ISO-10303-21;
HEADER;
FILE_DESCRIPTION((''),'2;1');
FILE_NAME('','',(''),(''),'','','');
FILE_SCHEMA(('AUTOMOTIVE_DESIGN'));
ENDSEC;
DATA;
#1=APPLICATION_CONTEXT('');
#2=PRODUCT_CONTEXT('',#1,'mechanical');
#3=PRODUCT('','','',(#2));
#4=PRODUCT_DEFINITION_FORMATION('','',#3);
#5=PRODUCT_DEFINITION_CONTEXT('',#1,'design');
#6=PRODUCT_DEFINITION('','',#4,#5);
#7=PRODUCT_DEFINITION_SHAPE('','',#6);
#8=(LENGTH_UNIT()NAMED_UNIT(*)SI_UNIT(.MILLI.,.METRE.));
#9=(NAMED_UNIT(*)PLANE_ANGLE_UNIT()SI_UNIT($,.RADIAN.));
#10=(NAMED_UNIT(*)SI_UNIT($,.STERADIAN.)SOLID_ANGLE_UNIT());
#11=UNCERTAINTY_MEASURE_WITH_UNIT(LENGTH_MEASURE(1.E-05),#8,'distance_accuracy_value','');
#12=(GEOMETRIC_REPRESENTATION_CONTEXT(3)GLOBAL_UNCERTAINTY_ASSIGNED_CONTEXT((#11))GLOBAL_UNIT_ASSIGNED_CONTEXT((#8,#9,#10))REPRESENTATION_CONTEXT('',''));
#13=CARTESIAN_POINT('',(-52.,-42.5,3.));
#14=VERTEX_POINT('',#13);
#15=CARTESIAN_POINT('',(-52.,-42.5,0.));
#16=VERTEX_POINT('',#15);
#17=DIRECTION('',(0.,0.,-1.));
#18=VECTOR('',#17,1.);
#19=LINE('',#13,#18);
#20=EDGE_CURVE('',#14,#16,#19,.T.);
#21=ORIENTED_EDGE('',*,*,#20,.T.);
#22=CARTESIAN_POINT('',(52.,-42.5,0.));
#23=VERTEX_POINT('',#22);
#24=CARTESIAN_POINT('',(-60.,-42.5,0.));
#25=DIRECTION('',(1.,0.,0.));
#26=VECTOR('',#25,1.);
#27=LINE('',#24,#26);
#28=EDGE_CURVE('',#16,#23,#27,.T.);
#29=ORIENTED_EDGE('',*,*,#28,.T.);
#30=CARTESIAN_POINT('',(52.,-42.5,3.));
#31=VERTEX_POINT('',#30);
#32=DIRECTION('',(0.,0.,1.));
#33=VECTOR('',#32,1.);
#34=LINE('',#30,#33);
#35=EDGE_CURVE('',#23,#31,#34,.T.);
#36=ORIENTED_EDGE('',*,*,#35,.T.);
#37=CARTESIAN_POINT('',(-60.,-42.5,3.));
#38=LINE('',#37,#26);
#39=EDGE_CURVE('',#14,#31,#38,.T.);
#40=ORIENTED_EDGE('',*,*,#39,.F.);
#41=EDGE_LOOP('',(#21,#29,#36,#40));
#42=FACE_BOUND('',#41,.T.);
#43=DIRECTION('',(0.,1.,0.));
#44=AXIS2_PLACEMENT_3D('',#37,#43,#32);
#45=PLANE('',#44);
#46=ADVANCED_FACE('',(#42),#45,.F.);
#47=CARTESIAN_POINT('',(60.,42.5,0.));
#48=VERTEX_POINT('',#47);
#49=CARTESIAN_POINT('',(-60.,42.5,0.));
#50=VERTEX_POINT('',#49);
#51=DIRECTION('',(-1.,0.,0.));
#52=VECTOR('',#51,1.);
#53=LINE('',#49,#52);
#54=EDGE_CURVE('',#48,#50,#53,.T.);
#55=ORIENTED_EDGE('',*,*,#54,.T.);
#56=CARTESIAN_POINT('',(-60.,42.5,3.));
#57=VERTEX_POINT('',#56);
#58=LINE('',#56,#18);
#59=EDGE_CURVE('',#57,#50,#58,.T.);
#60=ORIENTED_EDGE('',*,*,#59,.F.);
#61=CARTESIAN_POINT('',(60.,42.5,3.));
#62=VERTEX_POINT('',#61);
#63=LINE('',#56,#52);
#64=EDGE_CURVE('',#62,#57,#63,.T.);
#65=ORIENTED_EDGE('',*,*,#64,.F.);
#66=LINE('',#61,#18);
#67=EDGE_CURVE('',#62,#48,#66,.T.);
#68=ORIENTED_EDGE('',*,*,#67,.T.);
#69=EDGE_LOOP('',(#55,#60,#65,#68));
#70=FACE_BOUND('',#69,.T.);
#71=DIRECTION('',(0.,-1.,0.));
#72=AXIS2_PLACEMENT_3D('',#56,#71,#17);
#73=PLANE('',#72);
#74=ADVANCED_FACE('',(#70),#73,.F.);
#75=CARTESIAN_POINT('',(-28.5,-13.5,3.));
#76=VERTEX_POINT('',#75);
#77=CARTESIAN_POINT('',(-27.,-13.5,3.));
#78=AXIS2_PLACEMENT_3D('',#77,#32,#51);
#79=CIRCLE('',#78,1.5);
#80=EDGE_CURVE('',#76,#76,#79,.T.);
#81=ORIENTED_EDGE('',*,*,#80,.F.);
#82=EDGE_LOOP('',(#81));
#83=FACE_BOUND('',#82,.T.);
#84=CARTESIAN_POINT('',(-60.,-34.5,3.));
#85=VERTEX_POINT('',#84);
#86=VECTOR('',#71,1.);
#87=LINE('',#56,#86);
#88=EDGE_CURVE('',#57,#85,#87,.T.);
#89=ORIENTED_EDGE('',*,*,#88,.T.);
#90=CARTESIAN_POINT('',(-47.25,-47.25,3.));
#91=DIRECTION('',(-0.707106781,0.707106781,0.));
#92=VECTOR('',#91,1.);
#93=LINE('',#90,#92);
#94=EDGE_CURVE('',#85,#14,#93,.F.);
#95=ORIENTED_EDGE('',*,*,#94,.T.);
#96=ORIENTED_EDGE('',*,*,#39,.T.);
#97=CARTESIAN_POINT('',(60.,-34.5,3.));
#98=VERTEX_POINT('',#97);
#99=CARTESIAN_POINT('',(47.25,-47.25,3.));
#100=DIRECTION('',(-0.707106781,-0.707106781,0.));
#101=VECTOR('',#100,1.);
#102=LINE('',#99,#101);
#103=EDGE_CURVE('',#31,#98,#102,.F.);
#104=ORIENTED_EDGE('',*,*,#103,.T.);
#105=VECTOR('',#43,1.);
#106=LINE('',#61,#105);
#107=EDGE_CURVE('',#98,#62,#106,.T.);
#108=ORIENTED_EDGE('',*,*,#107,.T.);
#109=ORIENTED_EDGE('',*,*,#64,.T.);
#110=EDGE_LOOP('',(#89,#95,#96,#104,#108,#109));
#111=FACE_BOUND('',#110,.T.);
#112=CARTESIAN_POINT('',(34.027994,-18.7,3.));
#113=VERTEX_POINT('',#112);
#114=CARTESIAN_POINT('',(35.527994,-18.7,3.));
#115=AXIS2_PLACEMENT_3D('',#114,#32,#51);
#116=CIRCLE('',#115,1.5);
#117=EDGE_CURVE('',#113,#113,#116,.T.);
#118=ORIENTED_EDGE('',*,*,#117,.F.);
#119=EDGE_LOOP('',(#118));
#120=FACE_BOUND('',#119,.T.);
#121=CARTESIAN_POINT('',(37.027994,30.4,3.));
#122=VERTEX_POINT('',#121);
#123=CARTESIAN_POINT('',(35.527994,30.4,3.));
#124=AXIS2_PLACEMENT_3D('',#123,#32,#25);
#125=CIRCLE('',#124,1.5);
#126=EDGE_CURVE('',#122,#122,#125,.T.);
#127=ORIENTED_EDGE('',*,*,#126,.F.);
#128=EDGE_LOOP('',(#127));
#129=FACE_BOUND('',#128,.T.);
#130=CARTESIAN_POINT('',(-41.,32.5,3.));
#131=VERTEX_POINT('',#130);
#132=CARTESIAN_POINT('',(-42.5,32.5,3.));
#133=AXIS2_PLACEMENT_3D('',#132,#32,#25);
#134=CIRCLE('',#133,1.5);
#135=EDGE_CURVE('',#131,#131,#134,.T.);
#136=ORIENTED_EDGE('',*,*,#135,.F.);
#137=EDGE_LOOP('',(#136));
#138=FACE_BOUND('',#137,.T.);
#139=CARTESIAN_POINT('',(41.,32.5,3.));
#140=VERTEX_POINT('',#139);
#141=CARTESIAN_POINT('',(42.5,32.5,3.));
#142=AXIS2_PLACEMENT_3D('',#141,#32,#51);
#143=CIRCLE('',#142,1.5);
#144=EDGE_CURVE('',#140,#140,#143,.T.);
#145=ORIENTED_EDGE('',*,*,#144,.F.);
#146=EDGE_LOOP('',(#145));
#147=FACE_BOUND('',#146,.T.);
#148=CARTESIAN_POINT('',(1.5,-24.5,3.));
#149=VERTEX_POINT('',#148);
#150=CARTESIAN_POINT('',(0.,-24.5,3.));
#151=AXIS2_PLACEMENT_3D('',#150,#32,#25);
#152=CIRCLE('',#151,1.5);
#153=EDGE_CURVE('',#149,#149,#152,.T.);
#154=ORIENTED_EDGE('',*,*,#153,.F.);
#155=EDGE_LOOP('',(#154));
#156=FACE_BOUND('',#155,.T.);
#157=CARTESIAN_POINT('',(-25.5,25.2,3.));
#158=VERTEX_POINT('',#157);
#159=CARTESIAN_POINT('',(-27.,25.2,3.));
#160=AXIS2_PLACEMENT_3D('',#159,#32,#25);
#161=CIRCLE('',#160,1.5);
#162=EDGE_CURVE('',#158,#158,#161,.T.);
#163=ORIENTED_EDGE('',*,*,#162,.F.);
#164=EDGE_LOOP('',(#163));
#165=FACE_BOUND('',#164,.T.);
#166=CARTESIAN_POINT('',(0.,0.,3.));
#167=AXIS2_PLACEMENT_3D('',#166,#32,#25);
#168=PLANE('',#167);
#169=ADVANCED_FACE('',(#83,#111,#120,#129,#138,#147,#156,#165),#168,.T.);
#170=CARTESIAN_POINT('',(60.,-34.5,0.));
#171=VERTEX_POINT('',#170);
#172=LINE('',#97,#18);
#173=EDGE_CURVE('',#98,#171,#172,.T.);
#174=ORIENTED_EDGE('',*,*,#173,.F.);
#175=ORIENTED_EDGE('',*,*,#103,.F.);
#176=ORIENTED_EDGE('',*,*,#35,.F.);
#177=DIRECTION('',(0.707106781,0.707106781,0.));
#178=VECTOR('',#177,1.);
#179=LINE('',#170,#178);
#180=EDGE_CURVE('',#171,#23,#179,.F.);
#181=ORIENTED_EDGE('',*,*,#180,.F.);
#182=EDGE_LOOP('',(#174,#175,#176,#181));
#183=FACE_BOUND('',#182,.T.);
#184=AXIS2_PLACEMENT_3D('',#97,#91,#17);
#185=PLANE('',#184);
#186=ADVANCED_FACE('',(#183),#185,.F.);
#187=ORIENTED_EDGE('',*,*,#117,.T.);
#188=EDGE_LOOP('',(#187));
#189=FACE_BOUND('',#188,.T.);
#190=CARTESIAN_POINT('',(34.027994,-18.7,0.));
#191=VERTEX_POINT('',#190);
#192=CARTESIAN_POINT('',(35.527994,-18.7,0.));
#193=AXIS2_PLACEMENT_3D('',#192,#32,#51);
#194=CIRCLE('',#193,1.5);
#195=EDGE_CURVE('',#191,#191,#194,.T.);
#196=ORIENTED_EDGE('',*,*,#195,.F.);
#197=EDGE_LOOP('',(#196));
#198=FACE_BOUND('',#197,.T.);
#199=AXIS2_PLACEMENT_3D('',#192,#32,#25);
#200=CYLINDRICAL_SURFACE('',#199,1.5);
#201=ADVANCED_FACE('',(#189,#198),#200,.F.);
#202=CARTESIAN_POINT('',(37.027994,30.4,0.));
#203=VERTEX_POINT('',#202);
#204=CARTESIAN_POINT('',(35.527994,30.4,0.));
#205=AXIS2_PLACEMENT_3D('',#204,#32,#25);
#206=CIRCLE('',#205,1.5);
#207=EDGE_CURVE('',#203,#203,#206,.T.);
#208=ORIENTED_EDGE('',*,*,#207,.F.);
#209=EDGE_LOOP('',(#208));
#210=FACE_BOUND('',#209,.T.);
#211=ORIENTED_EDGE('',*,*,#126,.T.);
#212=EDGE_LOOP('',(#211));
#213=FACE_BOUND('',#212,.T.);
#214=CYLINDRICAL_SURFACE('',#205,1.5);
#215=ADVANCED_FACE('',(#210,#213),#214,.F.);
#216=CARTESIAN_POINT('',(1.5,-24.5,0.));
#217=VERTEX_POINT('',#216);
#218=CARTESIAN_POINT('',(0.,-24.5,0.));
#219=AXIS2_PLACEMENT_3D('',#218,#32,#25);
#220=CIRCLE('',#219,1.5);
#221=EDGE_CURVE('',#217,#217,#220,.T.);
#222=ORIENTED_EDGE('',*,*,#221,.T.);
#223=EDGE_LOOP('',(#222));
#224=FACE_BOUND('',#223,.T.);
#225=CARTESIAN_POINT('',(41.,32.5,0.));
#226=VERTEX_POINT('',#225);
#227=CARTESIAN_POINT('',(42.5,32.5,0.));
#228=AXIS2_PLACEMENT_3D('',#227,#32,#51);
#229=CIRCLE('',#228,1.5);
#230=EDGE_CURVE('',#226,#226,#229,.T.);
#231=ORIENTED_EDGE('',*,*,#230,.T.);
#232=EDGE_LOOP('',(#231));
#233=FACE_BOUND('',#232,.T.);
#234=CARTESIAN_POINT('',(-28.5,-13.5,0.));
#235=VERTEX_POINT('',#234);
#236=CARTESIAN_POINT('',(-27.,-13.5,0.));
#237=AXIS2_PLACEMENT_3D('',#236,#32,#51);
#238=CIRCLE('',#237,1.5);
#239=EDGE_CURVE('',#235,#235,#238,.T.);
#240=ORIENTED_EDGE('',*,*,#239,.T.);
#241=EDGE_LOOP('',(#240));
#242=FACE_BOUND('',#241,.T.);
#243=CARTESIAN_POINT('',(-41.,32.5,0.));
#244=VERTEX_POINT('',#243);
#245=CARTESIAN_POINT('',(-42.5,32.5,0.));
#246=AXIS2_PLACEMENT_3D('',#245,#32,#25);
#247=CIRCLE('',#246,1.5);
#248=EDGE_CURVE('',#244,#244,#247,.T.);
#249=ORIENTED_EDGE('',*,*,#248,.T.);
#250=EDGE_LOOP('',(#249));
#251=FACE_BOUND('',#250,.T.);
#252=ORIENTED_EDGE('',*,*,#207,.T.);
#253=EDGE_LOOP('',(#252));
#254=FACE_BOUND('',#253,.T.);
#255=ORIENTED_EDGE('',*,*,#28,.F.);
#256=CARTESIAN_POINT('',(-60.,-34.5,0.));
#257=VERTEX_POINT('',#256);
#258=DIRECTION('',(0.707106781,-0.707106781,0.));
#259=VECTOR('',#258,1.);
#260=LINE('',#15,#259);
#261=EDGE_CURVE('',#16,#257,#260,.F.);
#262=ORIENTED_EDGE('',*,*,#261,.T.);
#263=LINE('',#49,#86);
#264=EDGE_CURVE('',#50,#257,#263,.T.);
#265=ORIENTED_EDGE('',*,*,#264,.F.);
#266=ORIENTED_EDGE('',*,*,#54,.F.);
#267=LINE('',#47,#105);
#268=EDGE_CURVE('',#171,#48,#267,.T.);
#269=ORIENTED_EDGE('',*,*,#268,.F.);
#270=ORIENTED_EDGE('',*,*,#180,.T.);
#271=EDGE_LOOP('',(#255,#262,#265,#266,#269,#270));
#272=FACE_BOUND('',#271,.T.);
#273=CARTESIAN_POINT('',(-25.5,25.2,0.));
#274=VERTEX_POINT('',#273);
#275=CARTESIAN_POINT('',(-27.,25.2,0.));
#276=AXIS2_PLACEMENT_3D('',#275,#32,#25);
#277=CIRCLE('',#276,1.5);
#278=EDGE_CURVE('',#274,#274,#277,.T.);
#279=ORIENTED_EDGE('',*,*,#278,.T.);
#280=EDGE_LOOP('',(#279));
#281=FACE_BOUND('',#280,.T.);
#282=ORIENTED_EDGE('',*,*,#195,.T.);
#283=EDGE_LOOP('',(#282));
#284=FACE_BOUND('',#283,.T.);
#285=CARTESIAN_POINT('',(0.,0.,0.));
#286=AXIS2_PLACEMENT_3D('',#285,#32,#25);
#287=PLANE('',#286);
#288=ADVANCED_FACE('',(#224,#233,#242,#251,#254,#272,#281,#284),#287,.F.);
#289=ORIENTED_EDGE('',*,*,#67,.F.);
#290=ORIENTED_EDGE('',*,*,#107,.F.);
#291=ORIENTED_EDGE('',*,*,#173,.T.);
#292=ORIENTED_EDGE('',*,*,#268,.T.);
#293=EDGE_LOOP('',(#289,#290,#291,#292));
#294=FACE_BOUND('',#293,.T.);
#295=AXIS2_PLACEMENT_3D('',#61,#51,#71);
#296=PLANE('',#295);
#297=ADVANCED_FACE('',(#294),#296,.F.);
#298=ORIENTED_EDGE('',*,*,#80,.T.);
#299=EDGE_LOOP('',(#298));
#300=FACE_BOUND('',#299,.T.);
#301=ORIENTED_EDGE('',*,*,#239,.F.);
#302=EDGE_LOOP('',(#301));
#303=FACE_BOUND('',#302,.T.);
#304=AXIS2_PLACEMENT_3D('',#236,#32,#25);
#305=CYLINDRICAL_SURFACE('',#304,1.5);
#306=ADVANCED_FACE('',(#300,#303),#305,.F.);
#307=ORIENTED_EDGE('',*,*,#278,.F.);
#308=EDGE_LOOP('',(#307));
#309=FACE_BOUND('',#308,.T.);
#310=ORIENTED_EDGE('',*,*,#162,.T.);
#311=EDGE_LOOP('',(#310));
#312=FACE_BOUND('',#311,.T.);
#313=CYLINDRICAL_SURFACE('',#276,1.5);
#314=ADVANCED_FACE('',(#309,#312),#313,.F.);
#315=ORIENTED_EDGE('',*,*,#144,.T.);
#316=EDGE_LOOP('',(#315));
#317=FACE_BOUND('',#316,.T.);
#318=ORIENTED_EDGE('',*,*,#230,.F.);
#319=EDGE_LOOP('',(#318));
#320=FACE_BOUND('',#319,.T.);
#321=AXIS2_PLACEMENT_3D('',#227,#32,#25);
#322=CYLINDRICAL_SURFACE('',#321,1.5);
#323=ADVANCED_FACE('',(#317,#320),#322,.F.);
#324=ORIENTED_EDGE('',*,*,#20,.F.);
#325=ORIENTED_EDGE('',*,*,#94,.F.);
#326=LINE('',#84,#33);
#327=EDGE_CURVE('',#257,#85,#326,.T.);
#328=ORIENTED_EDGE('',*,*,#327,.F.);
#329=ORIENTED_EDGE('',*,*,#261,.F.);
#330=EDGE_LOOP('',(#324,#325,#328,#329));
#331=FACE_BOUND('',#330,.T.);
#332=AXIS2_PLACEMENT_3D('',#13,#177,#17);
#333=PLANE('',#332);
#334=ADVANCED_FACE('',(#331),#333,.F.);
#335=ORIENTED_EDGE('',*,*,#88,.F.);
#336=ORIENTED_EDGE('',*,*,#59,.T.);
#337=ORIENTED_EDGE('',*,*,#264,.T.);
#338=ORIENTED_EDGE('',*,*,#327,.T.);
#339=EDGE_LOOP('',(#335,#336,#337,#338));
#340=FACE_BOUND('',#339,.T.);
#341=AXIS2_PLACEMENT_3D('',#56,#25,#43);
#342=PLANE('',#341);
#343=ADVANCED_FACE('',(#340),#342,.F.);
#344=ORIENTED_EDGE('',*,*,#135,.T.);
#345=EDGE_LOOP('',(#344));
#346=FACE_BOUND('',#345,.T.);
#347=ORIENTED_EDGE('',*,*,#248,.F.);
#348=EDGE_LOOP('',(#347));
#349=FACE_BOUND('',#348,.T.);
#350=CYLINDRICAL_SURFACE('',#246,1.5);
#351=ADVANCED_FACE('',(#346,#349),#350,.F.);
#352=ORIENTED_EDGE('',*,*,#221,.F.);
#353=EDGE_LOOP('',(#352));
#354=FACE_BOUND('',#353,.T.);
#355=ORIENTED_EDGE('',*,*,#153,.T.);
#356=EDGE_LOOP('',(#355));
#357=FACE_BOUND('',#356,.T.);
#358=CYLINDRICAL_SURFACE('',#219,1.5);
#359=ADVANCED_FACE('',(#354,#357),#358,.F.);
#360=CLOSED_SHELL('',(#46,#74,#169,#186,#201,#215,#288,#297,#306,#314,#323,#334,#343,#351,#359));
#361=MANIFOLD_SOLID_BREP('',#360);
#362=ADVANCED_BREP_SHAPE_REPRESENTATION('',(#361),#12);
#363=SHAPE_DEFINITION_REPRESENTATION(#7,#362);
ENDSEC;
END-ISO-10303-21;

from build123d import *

# Parameters (mm, degrees)
SKETCH_1_W          = 120
SKETCH_1_H          = 85
EXTRUDE_1_DEPTH     = 3
SKETCH_2_R          = 1.5
CUT_EXTRUDE_1_DEPTH = 74.588382235
SKETCH_3_R          = 1.5
CUT_EXTRUDE_2_DEPTH = 74.588382235
CHAMFER_1_SIZE      = 8


with BuildPart() as part:
    # 草图1 → 凸台-拉伸1 (new body)
    with BuildSketch(Plane.XY):
        Rectangle(SKETCH_1_W, SKETCH_1_H)
    extrude(amount=EXTRUDE_1_DEPTH)

    # 草图2 → 切除-拉伸1 (cut, through all)
    with BuildSketch(Plane.XY.offset(3)):
        with Locations((0, -24.5)):
            Circle(SKETCH_2_R)
        with Locations((-42.5, 32.5)):
            Circle(SKETCH_2_R)
        with Locations(Location((42.5, 32.5, 0), (0, 0, 180))):
            Circle(SKETCH_2_R)
    extrude(amount=-CUT_EXTRUDE_1_DEPTH, mode=Mode.SUBTRACT)

    # 草图3 → 切除-拉伸2 (cut, through all)
    with BuildSketch(Plane.XY.offset(3)):
        with Locations((35.527993731, 30.4)):
            Circle(SKETCH_3_R)
        with Locations((-27, 25.2)):
            Circle(SKETCH_3_R)
        with Locations(Location((35.527993731, -18.7, 0), (0, 0, 180))):
            Circle(SKETCH_3_R)
        with Locations(Location((-27, -13.5, 0), (0, 0, 180))):
            Circle(SKETCH_3_R)
    extrude(amount=-CUT_EXTRUDE_2_DEPTH, mode=Mode.SUBTRACT)

    # 倒角1
    chamfer_1_edges = [part.edges().sort_by_distance(p)[0] for p in [
        (60, -42.5, 1.5),
        (-60, -42.5, 1.5),
    ]]
    chamfer(chamfer_1_edges, length=CHAMFER_1_SIZE)


solid = part.part
